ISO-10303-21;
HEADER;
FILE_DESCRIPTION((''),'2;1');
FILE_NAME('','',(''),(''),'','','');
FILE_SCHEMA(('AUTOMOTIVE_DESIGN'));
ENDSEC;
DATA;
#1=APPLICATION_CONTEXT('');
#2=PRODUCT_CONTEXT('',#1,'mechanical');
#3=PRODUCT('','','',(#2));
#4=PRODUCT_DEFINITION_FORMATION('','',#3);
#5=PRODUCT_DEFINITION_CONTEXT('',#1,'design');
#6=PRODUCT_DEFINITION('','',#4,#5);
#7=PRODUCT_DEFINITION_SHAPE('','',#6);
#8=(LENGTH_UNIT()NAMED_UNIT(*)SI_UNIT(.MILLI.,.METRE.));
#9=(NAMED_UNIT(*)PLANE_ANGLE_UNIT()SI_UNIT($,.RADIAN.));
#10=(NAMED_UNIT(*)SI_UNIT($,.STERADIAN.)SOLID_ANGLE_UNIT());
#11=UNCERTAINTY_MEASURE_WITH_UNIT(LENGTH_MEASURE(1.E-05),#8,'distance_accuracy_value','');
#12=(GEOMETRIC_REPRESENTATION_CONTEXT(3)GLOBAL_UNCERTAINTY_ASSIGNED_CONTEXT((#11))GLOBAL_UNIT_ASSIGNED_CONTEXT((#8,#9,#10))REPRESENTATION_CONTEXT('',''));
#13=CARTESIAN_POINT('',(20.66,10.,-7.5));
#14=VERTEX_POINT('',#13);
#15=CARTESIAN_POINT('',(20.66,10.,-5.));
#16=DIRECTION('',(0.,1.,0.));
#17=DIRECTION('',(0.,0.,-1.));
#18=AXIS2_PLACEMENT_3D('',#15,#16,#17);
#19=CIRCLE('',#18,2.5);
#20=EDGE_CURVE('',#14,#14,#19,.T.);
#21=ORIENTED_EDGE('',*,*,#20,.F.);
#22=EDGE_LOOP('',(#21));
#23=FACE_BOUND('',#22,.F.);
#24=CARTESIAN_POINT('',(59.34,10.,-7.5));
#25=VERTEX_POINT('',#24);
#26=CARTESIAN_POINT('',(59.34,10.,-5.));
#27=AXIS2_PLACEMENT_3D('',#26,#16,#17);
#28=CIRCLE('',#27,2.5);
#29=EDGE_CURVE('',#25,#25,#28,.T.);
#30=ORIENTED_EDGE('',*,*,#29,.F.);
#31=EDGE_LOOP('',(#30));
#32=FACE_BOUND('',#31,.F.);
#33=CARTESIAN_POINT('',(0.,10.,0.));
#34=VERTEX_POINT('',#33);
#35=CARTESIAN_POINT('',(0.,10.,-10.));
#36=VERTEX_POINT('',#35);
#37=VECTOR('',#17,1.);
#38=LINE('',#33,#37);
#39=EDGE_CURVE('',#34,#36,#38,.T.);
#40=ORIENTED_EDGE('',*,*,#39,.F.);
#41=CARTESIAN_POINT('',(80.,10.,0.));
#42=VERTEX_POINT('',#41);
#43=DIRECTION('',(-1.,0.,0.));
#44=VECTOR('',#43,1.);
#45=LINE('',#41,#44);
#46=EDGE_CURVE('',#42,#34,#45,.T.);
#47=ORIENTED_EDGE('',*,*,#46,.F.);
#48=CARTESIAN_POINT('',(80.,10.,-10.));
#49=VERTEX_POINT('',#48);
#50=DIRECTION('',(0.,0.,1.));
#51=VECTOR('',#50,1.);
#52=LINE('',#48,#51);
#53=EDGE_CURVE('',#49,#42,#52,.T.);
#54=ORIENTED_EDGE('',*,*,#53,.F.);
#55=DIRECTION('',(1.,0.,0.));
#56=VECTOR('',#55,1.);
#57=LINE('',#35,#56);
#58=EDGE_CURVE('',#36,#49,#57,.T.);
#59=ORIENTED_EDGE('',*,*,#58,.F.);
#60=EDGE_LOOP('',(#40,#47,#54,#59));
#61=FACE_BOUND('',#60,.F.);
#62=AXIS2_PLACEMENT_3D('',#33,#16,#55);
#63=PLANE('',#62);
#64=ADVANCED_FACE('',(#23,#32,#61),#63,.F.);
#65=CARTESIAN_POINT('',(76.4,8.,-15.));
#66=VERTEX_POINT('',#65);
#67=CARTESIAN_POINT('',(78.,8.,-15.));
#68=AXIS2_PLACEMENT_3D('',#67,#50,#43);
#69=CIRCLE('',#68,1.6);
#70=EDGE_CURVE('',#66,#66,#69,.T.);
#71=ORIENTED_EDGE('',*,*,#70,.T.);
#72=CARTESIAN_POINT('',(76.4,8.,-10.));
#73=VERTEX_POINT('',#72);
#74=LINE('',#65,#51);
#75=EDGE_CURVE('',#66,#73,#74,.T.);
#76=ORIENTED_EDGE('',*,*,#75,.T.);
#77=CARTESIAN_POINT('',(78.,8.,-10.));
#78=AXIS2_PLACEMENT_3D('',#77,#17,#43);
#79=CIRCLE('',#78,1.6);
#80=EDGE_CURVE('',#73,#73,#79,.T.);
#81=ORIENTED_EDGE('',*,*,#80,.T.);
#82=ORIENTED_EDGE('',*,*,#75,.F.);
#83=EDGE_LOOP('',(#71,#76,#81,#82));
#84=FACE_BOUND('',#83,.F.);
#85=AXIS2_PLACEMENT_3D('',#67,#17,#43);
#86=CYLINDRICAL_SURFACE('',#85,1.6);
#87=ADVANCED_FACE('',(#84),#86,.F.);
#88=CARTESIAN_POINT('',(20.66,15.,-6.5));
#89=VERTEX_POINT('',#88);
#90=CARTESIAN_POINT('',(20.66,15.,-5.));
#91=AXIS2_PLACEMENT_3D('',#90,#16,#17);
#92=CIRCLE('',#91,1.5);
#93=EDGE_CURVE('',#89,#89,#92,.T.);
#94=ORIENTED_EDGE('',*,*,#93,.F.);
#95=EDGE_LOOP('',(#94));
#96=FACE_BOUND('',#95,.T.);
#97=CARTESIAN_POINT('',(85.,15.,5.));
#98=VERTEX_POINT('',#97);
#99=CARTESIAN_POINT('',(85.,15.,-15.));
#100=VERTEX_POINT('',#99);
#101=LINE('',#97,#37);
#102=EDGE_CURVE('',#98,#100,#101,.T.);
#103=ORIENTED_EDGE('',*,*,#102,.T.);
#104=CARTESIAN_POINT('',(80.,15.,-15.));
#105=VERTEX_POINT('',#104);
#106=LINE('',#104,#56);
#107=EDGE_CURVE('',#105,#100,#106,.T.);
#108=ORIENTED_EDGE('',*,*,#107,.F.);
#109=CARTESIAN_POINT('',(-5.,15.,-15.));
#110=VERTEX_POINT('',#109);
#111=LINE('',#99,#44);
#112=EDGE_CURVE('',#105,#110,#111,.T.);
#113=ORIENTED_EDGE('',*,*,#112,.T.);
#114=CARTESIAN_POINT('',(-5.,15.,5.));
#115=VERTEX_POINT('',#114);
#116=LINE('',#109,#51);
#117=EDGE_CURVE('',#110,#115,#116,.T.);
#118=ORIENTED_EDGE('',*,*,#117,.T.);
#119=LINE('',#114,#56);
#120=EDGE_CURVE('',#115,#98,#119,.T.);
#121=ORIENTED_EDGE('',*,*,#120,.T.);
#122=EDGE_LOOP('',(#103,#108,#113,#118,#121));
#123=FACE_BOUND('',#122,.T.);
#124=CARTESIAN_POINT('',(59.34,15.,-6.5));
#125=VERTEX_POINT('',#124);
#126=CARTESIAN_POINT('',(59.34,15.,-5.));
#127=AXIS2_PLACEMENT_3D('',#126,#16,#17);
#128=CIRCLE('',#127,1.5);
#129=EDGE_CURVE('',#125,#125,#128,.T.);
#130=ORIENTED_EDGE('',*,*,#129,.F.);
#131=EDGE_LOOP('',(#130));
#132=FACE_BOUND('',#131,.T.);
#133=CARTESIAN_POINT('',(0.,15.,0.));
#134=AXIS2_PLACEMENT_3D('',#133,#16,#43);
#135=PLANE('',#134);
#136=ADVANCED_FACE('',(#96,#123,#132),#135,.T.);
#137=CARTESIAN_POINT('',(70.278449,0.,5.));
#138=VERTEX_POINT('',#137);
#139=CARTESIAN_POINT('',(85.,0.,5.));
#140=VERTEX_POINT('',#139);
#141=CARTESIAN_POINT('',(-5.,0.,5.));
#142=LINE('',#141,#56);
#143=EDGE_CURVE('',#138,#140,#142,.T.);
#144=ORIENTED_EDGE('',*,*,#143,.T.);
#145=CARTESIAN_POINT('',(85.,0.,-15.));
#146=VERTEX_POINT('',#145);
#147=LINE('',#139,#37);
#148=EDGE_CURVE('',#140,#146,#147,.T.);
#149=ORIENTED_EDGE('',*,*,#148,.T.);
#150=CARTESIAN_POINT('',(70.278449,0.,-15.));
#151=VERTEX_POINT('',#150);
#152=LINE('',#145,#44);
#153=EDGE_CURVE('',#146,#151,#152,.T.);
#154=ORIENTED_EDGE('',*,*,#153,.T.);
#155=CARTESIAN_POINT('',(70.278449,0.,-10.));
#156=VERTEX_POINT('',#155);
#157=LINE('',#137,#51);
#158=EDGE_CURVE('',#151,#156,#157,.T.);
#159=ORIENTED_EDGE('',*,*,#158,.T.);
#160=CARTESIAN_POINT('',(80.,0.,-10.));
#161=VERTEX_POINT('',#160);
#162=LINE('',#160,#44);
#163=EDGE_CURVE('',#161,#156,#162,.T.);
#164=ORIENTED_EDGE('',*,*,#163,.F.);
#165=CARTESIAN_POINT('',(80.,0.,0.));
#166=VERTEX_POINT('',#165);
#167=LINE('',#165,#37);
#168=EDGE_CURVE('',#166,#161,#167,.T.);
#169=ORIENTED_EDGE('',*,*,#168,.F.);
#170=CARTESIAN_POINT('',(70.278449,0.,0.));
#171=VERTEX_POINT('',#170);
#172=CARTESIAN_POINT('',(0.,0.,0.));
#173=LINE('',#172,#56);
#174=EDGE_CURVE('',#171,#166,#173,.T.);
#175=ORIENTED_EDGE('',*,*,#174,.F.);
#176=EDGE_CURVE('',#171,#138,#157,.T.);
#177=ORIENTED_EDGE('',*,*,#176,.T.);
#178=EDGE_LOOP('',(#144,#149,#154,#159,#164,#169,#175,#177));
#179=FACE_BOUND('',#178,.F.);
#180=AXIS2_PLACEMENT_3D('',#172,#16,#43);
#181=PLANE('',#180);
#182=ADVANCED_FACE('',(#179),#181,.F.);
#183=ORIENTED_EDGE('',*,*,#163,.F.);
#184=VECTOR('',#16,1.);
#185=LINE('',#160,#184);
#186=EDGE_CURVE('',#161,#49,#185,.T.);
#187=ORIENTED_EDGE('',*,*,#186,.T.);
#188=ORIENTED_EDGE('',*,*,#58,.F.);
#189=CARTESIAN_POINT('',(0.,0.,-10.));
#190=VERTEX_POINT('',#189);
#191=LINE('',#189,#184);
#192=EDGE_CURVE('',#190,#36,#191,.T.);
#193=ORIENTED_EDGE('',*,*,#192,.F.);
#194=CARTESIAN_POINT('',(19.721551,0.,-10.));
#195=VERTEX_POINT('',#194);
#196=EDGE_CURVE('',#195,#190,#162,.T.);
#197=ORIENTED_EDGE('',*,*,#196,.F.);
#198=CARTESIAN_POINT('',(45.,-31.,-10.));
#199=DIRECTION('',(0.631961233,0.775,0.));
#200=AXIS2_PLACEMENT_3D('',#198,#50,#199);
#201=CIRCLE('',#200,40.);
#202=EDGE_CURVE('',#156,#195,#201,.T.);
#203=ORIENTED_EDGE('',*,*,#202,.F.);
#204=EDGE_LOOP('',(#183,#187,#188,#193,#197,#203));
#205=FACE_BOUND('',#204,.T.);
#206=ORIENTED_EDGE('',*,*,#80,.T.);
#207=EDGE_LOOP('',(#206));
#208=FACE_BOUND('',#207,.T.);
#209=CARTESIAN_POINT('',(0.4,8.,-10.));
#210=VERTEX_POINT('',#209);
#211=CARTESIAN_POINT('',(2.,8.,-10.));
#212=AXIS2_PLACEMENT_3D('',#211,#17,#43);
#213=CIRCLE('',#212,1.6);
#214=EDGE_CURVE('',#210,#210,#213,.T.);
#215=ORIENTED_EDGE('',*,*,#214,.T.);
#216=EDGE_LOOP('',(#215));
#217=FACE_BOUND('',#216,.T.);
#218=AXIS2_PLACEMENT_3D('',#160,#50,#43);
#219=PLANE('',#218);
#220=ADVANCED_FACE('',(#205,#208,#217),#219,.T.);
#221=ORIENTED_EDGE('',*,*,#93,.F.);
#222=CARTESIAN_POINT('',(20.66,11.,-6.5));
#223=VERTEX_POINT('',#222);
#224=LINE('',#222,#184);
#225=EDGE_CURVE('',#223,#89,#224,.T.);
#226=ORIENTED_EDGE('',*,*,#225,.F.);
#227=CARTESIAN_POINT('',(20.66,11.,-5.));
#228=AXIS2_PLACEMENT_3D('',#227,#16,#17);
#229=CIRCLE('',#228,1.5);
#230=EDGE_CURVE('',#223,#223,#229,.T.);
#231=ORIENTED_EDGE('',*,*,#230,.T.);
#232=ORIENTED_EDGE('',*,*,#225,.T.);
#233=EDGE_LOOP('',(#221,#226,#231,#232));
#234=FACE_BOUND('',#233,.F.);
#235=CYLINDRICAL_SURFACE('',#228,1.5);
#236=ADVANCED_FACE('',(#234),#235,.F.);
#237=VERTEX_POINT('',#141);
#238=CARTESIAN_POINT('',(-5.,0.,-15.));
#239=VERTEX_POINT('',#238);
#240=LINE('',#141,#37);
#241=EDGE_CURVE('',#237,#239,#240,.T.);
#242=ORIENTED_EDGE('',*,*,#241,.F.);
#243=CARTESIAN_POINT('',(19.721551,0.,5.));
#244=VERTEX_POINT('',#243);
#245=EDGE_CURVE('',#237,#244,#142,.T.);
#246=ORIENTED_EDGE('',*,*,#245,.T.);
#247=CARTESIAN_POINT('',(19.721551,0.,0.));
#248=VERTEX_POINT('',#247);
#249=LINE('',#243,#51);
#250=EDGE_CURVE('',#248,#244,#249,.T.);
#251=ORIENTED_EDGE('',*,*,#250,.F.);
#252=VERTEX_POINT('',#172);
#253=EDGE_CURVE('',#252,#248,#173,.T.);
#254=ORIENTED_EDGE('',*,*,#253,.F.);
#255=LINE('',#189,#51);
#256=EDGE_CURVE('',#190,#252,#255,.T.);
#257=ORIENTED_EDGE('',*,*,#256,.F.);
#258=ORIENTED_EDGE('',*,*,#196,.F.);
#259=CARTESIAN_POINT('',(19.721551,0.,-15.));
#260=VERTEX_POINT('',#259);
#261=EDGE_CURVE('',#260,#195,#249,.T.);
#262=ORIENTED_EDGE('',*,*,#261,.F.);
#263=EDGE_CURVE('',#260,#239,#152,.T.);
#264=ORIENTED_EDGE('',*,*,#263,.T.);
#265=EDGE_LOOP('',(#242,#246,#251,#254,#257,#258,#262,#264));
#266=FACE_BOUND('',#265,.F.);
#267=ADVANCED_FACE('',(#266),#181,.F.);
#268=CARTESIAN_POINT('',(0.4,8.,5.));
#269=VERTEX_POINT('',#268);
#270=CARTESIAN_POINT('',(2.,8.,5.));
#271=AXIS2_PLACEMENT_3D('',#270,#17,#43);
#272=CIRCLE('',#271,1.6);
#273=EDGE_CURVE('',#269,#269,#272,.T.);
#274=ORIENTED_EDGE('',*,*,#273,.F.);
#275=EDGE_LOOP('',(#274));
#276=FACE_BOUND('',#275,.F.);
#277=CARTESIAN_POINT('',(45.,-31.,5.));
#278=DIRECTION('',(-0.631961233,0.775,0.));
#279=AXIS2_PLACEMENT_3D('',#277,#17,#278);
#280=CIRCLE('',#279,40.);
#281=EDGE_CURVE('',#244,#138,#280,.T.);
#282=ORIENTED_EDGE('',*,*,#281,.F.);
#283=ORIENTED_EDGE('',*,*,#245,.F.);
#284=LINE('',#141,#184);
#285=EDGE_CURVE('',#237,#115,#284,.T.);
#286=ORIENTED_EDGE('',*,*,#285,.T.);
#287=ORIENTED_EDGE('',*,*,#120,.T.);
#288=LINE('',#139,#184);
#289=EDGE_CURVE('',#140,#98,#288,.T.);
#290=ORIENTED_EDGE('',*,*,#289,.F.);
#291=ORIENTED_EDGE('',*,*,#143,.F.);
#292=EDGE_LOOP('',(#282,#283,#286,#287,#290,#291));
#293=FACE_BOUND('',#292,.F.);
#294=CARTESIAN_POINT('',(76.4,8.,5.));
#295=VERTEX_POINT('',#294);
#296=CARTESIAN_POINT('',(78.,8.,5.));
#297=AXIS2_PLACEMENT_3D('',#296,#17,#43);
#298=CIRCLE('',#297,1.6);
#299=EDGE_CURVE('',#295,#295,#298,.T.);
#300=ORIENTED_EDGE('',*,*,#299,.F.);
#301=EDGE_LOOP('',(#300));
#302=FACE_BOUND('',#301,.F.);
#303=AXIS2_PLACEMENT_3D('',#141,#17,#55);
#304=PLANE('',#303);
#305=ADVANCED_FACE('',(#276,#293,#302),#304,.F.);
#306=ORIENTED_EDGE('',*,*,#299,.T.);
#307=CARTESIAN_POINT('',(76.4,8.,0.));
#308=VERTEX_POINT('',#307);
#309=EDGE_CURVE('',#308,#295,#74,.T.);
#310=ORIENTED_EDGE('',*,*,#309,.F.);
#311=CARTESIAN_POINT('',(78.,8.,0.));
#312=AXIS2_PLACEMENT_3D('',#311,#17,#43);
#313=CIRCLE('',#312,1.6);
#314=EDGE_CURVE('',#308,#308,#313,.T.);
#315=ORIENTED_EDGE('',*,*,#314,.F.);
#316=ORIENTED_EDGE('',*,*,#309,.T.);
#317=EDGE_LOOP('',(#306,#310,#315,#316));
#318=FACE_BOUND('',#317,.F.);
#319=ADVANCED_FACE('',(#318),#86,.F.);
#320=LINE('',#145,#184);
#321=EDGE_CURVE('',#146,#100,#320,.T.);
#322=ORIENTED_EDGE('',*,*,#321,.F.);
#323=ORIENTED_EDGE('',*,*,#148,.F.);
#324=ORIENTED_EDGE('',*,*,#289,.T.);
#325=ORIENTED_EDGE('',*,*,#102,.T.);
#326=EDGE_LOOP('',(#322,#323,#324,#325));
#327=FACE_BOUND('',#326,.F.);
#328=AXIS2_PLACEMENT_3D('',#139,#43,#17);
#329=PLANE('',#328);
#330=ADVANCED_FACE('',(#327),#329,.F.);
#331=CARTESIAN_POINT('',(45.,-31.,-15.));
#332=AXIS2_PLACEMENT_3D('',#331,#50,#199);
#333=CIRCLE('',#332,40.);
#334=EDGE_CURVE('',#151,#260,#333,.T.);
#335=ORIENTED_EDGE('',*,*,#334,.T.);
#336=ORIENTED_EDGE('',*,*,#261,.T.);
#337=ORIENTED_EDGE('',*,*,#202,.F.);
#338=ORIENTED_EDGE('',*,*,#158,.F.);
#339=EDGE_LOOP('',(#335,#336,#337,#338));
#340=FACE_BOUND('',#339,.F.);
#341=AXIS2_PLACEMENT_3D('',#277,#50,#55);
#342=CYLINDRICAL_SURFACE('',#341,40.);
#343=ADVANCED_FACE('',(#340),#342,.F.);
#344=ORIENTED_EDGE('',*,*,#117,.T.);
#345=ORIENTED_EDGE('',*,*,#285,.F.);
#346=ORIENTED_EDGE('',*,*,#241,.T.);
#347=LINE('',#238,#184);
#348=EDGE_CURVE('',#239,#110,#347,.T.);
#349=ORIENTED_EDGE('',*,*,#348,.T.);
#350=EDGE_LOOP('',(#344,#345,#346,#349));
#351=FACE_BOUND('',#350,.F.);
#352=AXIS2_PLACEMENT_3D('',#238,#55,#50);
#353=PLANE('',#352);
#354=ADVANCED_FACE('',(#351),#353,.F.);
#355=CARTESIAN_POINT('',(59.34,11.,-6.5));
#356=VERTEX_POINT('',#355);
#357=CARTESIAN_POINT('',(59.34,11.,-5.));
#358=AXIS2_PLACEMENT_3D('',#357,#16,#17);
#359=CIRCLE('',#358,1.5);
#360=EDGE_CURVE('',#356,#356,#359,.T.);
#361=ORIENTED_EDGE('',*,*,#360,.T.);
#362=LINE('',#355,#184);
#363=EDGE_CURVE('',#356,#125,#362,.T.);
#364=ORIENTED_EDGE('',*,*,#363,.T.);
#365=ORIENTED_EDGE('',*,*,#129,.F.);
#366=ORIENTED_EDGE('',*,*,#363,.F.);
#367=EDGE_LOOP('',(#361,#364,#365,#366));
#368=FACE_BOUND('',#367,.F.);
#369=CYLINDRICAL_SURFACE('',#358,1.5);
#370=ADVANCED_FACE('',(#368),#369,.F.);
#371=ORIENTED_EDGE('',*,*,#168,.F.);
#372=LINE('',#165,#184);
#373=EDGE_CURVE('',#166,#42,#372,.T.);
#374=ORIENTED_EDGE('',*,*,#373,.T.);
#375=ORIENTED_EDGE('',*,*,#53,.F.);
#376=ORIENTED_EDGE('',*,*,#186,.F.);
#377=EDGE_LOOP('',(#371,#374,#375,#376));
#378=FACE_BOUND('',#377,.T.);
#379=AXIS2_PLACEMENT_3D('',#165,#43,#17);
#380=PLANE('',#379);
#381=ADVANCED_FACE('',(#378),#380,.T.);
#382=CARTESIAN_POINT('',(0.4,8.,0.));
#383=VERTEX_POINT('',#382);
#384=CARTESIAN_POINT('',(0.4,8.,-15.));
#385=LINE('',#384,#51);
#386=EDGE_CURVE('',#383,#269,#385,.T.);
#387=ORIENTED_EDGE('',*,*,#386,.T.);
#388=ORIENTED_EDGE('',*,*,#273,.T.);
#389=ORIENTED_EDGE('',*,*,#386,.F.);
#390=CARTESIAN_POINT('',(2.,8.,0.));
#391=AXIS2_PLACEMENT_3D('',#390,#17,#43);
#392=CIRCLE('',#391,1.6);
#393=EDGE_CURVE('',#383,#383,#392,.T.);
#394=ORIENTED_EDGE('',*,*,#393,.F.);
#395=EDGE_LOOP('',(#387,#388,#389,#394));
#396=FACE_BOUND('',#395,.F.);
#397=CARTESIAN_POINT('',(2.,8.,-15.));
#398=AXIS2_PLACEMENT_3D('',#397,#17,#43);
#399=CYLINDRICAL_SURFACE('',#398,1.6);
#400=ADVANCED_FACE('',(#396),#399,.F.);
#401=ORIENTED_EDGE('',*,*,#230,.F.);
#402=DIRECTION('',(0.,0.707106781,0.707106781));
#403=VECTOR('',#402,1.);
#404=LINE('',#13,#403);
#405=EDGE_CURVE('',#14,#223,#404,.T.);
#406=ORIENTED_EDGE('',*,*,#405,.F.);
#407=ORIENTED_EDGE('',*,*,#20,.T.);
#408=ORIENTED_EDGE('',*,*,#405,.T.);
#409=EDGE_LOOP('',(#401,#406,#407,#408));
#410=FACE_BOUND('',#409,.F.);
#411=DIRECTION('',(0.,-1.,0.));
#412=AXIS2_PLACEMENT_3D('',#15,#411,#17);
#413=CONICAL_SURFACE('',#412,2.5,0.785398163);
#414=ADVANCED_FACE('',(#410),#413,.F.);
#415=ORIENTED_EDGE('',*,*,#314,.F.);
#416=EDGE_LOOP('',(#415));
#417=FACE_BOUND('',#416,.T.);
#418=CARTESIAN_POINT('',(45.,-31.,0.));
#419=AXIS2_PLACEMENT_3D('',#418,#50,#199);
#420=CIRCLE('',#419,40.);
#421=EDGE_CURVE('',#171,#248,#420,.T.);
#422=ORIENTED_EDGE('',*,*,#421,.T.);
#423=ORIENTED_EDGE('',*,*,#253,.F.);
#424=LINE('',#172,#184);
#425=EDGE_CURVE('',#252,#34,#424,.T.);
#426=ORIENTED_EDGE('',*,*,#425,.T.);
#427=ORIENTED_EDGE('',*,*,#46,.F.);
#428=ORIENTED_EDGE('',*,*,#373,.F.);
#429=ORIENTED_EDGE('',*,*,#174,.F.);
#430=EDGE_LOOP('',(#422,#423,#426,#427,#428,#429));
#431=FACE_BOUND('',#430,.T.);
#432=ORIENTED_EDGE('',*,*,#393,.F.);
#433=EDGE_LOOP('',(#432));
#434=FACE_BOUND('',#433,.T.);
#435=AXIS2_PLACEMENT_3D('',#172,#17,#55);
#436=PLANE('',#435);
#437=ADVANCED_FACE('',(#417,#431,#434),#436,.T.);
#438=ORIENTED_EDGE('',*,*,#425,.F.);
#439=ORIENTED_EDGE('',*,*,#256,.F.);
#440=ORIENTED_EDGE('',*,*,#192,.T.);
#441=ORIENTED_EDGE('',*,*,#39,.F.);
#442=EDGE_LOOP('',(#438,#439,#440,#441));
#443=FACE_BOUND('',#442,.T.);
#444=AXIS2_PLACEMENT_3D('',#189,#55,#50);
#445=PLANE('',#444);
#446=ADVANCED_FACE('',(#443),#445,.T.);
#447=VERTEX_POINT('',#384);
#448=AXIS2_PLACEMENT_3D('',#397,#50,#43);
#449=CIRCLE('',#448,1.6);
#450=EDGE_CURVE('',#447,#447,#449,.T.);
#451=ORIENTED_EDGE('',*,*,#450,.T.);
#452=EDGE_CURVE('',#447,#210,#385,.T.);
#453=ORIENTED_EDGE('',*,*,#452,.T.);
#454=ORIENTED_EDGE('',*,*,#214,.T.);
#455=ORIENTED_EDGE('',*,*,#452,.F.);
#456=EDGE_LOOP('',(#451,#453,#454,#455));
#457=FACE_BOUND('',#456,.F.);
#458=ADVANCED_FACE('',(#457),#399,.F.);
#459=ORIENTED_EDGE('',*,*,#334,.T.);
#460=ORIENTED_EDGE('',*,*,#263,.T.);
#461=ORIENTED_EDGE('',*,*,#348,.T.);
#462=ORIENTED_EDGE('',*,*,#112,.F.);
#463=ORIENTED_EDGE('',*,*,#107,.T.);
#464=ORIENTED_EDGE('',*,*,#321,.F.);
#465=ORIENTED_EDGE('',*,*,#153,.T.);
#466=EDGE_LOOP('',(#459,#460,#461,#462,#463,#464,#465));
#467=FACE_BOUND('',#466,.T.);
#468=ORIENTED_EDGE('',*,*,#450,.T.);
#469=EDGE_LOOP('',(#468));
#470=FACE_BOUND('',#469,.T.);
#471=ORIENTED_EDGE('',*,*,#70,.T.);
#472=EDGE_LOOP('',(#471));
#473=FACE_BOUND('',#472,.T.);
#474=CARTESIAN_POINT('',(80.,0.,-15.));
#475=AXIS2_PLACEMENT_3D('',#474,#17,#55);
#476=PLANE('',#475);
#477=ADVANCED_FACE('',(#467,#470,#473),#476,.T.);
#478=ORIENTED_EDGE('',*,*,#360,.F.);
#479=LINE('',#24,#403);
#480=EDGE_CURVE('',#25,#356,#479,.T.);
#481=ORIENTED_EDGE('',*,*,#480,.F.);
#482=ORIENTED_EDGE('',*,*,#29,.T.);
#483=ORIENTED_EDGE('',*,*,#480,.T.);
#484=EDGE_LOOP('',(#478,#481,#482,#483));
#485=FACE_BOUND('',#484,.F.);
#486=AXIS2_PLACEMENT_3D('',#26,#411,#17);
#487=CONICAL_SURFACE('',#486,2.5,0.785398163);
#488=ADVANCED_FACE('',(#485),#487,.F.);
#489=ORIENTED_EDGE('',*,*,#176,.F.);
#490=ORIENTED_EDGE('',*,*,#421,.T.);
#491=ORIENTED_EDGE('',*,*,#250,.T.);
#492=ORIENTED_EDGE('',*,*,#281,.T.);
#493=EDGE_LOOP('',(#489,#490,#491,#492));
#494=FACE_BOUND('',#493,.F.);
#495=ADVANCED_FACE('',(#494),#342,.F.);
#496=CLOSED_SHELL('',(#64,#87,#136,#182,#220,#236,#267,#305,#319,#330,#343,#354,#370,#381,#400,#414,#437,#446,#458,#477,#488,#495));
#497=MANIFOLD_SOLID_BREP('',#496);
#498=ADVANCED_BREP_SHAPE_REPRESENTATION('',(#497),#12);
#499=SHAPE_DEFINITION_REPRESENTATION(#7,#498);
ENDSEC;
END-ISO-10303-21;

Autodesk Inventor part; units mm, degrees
ref_plane "YZ Plane" through (0, 0, 0) normal (1, 0, 0) x (0, 1, 0)
ref_plane "XZ Plane" through (0, 0, 0) normal (0, 1, 0) x (-1, 0, 0)
ref_plane "XY Plane" through (0, 0, 0) normal (0, 0, 1) x (1, 0, 0)
sketch "Boceto1" plane through (0, 0, 0) normal (0, 1, 0) x (-1, 0, 0)
  line L0 (0, 0) -> (-80, 0)
  line L1 (-80, 0) -> (-80, -10)
  line L2 (-80, -10) -> (0, -10)
  line L3 (0, -10) -> (0, 0)
  line L4 (5, 0) -> (5, 5)
  line L5 (-80, -10) -> (-80, -15)
  line L6 (-80, -15) -> (-85, -15)
  line L7 (5, 5) -> (-85, 5)
  line L8 (-85, 5) -> (-85, -15)
  line L9 (-85, -15) -> (5, -15)
  line L10 (5, -15) -> (5, 5)
  dimension "d1" = 10
  dimension "d2" = 5
  dimension "d3" = 5
  dimension "d5" = 5
extrude "Extrusión1" add sketch "Boceto1" along normal blind 15
sketch "Boceto2" plane through (0, 15, 0) normal (0, 1, 0) x (1, 0, 0)
  line L0 (80, 10) -> (80, 0) projected
  line L1 (80, 0) -> (0, 0)
  line L2 (0, 0) -> (0, 10)
  line L3 (0, 10) -> (80, 10)
  line L4 (80, 10) -> (80, 0)
extrude "Extrusión2" add sketch "Boceto2" against normal blind 5
sketch "Boceto3" plane through (-5, 0, 5) normal (0, 0, 1) x (1, 0, 0)
  line L0 (90, 15) -> (90, 9)
  line L1 (90, 0) -> (90, 15) projected
  line L2 (90, 9) -> (50, 9)
  line L3 (50, 9) -> (50, -31)
  circle A0 centre (50, -31) radius 40
  point P0 (5, 0)
  dimension "d10" = 6
  dimension "d11" = 40
  dimension "d12" = 40
extrude "Extrusión3" cut sketch "Boceto3" against normal blind 21
sketch "Boceto4" plane through (0, 10, 0) normal (0, -1, 0) x (1, 0, 0)
  line L0 (0, 0) -> (0, -5)
  line L1 (0, 0) -> (0, -10) projected
  line L2 (0, -5) -> (80, -5)
  line L3 (80, -10) -> (80, 0) projected
  line L4 (80, -5) -> (59.34, -5)
  line L5 (0, -5) -> (20.66, -5)
  dimension "d15" = 5
  dimension "d16" = 20.66
  dimension "d17" = 20.66
hole "Agujero1" at (20.66, 10, -5) at (59.34, 10, -5) direction (0, 1, 0) diameter 3 end through all countersink diameter 5 countersink angle 90
sketch "Boceto5" plane through (85, 15, -15) normal (0, 0, -1) x (-1, 0, 0)
  line L0 (90, -15) -> (90, 0) projected
  line L1 (90, 0) -> (83, 0)
  line L2 (0, 0) -> (90, 0) projected
  line L3 (83, 0) -> (83, -7)
  point P0 (85, -15)
  dimension "d25" = 7
  dimension "d26" = 7
sketch "Boceto6" plane through (85, 15, -15) normal (0, 0, -1) x (-1, 0, 0)
  line L0 (0, 0) -> (90, 0) projected
  line L1 (0, 0) -> (0, -7)
  line L2 (0, -15) -> (0, 0) projected
  line L3 (0, -7) -> (7, -7)
  circle A0 centre (7, -7) radius 1.6
  line L4 (90, 0) -> (83, 0)
  line L5 (83, 0) -> (83, -7)
  circle A1 centre (83, -7) radius 1.6
  point P0 (85, -15)
  dimension "d27" = 7
  dimension "d28" = 7
  dimension "d29" = 3.2
  dimension "d30" = 7
  dimension "d31" = 7
  dimension "d32" = 3.2
extrude "Extrusión4" cut sketch "Boceto6" against normal blind 28.75
properties part number "Base Ventilador"
